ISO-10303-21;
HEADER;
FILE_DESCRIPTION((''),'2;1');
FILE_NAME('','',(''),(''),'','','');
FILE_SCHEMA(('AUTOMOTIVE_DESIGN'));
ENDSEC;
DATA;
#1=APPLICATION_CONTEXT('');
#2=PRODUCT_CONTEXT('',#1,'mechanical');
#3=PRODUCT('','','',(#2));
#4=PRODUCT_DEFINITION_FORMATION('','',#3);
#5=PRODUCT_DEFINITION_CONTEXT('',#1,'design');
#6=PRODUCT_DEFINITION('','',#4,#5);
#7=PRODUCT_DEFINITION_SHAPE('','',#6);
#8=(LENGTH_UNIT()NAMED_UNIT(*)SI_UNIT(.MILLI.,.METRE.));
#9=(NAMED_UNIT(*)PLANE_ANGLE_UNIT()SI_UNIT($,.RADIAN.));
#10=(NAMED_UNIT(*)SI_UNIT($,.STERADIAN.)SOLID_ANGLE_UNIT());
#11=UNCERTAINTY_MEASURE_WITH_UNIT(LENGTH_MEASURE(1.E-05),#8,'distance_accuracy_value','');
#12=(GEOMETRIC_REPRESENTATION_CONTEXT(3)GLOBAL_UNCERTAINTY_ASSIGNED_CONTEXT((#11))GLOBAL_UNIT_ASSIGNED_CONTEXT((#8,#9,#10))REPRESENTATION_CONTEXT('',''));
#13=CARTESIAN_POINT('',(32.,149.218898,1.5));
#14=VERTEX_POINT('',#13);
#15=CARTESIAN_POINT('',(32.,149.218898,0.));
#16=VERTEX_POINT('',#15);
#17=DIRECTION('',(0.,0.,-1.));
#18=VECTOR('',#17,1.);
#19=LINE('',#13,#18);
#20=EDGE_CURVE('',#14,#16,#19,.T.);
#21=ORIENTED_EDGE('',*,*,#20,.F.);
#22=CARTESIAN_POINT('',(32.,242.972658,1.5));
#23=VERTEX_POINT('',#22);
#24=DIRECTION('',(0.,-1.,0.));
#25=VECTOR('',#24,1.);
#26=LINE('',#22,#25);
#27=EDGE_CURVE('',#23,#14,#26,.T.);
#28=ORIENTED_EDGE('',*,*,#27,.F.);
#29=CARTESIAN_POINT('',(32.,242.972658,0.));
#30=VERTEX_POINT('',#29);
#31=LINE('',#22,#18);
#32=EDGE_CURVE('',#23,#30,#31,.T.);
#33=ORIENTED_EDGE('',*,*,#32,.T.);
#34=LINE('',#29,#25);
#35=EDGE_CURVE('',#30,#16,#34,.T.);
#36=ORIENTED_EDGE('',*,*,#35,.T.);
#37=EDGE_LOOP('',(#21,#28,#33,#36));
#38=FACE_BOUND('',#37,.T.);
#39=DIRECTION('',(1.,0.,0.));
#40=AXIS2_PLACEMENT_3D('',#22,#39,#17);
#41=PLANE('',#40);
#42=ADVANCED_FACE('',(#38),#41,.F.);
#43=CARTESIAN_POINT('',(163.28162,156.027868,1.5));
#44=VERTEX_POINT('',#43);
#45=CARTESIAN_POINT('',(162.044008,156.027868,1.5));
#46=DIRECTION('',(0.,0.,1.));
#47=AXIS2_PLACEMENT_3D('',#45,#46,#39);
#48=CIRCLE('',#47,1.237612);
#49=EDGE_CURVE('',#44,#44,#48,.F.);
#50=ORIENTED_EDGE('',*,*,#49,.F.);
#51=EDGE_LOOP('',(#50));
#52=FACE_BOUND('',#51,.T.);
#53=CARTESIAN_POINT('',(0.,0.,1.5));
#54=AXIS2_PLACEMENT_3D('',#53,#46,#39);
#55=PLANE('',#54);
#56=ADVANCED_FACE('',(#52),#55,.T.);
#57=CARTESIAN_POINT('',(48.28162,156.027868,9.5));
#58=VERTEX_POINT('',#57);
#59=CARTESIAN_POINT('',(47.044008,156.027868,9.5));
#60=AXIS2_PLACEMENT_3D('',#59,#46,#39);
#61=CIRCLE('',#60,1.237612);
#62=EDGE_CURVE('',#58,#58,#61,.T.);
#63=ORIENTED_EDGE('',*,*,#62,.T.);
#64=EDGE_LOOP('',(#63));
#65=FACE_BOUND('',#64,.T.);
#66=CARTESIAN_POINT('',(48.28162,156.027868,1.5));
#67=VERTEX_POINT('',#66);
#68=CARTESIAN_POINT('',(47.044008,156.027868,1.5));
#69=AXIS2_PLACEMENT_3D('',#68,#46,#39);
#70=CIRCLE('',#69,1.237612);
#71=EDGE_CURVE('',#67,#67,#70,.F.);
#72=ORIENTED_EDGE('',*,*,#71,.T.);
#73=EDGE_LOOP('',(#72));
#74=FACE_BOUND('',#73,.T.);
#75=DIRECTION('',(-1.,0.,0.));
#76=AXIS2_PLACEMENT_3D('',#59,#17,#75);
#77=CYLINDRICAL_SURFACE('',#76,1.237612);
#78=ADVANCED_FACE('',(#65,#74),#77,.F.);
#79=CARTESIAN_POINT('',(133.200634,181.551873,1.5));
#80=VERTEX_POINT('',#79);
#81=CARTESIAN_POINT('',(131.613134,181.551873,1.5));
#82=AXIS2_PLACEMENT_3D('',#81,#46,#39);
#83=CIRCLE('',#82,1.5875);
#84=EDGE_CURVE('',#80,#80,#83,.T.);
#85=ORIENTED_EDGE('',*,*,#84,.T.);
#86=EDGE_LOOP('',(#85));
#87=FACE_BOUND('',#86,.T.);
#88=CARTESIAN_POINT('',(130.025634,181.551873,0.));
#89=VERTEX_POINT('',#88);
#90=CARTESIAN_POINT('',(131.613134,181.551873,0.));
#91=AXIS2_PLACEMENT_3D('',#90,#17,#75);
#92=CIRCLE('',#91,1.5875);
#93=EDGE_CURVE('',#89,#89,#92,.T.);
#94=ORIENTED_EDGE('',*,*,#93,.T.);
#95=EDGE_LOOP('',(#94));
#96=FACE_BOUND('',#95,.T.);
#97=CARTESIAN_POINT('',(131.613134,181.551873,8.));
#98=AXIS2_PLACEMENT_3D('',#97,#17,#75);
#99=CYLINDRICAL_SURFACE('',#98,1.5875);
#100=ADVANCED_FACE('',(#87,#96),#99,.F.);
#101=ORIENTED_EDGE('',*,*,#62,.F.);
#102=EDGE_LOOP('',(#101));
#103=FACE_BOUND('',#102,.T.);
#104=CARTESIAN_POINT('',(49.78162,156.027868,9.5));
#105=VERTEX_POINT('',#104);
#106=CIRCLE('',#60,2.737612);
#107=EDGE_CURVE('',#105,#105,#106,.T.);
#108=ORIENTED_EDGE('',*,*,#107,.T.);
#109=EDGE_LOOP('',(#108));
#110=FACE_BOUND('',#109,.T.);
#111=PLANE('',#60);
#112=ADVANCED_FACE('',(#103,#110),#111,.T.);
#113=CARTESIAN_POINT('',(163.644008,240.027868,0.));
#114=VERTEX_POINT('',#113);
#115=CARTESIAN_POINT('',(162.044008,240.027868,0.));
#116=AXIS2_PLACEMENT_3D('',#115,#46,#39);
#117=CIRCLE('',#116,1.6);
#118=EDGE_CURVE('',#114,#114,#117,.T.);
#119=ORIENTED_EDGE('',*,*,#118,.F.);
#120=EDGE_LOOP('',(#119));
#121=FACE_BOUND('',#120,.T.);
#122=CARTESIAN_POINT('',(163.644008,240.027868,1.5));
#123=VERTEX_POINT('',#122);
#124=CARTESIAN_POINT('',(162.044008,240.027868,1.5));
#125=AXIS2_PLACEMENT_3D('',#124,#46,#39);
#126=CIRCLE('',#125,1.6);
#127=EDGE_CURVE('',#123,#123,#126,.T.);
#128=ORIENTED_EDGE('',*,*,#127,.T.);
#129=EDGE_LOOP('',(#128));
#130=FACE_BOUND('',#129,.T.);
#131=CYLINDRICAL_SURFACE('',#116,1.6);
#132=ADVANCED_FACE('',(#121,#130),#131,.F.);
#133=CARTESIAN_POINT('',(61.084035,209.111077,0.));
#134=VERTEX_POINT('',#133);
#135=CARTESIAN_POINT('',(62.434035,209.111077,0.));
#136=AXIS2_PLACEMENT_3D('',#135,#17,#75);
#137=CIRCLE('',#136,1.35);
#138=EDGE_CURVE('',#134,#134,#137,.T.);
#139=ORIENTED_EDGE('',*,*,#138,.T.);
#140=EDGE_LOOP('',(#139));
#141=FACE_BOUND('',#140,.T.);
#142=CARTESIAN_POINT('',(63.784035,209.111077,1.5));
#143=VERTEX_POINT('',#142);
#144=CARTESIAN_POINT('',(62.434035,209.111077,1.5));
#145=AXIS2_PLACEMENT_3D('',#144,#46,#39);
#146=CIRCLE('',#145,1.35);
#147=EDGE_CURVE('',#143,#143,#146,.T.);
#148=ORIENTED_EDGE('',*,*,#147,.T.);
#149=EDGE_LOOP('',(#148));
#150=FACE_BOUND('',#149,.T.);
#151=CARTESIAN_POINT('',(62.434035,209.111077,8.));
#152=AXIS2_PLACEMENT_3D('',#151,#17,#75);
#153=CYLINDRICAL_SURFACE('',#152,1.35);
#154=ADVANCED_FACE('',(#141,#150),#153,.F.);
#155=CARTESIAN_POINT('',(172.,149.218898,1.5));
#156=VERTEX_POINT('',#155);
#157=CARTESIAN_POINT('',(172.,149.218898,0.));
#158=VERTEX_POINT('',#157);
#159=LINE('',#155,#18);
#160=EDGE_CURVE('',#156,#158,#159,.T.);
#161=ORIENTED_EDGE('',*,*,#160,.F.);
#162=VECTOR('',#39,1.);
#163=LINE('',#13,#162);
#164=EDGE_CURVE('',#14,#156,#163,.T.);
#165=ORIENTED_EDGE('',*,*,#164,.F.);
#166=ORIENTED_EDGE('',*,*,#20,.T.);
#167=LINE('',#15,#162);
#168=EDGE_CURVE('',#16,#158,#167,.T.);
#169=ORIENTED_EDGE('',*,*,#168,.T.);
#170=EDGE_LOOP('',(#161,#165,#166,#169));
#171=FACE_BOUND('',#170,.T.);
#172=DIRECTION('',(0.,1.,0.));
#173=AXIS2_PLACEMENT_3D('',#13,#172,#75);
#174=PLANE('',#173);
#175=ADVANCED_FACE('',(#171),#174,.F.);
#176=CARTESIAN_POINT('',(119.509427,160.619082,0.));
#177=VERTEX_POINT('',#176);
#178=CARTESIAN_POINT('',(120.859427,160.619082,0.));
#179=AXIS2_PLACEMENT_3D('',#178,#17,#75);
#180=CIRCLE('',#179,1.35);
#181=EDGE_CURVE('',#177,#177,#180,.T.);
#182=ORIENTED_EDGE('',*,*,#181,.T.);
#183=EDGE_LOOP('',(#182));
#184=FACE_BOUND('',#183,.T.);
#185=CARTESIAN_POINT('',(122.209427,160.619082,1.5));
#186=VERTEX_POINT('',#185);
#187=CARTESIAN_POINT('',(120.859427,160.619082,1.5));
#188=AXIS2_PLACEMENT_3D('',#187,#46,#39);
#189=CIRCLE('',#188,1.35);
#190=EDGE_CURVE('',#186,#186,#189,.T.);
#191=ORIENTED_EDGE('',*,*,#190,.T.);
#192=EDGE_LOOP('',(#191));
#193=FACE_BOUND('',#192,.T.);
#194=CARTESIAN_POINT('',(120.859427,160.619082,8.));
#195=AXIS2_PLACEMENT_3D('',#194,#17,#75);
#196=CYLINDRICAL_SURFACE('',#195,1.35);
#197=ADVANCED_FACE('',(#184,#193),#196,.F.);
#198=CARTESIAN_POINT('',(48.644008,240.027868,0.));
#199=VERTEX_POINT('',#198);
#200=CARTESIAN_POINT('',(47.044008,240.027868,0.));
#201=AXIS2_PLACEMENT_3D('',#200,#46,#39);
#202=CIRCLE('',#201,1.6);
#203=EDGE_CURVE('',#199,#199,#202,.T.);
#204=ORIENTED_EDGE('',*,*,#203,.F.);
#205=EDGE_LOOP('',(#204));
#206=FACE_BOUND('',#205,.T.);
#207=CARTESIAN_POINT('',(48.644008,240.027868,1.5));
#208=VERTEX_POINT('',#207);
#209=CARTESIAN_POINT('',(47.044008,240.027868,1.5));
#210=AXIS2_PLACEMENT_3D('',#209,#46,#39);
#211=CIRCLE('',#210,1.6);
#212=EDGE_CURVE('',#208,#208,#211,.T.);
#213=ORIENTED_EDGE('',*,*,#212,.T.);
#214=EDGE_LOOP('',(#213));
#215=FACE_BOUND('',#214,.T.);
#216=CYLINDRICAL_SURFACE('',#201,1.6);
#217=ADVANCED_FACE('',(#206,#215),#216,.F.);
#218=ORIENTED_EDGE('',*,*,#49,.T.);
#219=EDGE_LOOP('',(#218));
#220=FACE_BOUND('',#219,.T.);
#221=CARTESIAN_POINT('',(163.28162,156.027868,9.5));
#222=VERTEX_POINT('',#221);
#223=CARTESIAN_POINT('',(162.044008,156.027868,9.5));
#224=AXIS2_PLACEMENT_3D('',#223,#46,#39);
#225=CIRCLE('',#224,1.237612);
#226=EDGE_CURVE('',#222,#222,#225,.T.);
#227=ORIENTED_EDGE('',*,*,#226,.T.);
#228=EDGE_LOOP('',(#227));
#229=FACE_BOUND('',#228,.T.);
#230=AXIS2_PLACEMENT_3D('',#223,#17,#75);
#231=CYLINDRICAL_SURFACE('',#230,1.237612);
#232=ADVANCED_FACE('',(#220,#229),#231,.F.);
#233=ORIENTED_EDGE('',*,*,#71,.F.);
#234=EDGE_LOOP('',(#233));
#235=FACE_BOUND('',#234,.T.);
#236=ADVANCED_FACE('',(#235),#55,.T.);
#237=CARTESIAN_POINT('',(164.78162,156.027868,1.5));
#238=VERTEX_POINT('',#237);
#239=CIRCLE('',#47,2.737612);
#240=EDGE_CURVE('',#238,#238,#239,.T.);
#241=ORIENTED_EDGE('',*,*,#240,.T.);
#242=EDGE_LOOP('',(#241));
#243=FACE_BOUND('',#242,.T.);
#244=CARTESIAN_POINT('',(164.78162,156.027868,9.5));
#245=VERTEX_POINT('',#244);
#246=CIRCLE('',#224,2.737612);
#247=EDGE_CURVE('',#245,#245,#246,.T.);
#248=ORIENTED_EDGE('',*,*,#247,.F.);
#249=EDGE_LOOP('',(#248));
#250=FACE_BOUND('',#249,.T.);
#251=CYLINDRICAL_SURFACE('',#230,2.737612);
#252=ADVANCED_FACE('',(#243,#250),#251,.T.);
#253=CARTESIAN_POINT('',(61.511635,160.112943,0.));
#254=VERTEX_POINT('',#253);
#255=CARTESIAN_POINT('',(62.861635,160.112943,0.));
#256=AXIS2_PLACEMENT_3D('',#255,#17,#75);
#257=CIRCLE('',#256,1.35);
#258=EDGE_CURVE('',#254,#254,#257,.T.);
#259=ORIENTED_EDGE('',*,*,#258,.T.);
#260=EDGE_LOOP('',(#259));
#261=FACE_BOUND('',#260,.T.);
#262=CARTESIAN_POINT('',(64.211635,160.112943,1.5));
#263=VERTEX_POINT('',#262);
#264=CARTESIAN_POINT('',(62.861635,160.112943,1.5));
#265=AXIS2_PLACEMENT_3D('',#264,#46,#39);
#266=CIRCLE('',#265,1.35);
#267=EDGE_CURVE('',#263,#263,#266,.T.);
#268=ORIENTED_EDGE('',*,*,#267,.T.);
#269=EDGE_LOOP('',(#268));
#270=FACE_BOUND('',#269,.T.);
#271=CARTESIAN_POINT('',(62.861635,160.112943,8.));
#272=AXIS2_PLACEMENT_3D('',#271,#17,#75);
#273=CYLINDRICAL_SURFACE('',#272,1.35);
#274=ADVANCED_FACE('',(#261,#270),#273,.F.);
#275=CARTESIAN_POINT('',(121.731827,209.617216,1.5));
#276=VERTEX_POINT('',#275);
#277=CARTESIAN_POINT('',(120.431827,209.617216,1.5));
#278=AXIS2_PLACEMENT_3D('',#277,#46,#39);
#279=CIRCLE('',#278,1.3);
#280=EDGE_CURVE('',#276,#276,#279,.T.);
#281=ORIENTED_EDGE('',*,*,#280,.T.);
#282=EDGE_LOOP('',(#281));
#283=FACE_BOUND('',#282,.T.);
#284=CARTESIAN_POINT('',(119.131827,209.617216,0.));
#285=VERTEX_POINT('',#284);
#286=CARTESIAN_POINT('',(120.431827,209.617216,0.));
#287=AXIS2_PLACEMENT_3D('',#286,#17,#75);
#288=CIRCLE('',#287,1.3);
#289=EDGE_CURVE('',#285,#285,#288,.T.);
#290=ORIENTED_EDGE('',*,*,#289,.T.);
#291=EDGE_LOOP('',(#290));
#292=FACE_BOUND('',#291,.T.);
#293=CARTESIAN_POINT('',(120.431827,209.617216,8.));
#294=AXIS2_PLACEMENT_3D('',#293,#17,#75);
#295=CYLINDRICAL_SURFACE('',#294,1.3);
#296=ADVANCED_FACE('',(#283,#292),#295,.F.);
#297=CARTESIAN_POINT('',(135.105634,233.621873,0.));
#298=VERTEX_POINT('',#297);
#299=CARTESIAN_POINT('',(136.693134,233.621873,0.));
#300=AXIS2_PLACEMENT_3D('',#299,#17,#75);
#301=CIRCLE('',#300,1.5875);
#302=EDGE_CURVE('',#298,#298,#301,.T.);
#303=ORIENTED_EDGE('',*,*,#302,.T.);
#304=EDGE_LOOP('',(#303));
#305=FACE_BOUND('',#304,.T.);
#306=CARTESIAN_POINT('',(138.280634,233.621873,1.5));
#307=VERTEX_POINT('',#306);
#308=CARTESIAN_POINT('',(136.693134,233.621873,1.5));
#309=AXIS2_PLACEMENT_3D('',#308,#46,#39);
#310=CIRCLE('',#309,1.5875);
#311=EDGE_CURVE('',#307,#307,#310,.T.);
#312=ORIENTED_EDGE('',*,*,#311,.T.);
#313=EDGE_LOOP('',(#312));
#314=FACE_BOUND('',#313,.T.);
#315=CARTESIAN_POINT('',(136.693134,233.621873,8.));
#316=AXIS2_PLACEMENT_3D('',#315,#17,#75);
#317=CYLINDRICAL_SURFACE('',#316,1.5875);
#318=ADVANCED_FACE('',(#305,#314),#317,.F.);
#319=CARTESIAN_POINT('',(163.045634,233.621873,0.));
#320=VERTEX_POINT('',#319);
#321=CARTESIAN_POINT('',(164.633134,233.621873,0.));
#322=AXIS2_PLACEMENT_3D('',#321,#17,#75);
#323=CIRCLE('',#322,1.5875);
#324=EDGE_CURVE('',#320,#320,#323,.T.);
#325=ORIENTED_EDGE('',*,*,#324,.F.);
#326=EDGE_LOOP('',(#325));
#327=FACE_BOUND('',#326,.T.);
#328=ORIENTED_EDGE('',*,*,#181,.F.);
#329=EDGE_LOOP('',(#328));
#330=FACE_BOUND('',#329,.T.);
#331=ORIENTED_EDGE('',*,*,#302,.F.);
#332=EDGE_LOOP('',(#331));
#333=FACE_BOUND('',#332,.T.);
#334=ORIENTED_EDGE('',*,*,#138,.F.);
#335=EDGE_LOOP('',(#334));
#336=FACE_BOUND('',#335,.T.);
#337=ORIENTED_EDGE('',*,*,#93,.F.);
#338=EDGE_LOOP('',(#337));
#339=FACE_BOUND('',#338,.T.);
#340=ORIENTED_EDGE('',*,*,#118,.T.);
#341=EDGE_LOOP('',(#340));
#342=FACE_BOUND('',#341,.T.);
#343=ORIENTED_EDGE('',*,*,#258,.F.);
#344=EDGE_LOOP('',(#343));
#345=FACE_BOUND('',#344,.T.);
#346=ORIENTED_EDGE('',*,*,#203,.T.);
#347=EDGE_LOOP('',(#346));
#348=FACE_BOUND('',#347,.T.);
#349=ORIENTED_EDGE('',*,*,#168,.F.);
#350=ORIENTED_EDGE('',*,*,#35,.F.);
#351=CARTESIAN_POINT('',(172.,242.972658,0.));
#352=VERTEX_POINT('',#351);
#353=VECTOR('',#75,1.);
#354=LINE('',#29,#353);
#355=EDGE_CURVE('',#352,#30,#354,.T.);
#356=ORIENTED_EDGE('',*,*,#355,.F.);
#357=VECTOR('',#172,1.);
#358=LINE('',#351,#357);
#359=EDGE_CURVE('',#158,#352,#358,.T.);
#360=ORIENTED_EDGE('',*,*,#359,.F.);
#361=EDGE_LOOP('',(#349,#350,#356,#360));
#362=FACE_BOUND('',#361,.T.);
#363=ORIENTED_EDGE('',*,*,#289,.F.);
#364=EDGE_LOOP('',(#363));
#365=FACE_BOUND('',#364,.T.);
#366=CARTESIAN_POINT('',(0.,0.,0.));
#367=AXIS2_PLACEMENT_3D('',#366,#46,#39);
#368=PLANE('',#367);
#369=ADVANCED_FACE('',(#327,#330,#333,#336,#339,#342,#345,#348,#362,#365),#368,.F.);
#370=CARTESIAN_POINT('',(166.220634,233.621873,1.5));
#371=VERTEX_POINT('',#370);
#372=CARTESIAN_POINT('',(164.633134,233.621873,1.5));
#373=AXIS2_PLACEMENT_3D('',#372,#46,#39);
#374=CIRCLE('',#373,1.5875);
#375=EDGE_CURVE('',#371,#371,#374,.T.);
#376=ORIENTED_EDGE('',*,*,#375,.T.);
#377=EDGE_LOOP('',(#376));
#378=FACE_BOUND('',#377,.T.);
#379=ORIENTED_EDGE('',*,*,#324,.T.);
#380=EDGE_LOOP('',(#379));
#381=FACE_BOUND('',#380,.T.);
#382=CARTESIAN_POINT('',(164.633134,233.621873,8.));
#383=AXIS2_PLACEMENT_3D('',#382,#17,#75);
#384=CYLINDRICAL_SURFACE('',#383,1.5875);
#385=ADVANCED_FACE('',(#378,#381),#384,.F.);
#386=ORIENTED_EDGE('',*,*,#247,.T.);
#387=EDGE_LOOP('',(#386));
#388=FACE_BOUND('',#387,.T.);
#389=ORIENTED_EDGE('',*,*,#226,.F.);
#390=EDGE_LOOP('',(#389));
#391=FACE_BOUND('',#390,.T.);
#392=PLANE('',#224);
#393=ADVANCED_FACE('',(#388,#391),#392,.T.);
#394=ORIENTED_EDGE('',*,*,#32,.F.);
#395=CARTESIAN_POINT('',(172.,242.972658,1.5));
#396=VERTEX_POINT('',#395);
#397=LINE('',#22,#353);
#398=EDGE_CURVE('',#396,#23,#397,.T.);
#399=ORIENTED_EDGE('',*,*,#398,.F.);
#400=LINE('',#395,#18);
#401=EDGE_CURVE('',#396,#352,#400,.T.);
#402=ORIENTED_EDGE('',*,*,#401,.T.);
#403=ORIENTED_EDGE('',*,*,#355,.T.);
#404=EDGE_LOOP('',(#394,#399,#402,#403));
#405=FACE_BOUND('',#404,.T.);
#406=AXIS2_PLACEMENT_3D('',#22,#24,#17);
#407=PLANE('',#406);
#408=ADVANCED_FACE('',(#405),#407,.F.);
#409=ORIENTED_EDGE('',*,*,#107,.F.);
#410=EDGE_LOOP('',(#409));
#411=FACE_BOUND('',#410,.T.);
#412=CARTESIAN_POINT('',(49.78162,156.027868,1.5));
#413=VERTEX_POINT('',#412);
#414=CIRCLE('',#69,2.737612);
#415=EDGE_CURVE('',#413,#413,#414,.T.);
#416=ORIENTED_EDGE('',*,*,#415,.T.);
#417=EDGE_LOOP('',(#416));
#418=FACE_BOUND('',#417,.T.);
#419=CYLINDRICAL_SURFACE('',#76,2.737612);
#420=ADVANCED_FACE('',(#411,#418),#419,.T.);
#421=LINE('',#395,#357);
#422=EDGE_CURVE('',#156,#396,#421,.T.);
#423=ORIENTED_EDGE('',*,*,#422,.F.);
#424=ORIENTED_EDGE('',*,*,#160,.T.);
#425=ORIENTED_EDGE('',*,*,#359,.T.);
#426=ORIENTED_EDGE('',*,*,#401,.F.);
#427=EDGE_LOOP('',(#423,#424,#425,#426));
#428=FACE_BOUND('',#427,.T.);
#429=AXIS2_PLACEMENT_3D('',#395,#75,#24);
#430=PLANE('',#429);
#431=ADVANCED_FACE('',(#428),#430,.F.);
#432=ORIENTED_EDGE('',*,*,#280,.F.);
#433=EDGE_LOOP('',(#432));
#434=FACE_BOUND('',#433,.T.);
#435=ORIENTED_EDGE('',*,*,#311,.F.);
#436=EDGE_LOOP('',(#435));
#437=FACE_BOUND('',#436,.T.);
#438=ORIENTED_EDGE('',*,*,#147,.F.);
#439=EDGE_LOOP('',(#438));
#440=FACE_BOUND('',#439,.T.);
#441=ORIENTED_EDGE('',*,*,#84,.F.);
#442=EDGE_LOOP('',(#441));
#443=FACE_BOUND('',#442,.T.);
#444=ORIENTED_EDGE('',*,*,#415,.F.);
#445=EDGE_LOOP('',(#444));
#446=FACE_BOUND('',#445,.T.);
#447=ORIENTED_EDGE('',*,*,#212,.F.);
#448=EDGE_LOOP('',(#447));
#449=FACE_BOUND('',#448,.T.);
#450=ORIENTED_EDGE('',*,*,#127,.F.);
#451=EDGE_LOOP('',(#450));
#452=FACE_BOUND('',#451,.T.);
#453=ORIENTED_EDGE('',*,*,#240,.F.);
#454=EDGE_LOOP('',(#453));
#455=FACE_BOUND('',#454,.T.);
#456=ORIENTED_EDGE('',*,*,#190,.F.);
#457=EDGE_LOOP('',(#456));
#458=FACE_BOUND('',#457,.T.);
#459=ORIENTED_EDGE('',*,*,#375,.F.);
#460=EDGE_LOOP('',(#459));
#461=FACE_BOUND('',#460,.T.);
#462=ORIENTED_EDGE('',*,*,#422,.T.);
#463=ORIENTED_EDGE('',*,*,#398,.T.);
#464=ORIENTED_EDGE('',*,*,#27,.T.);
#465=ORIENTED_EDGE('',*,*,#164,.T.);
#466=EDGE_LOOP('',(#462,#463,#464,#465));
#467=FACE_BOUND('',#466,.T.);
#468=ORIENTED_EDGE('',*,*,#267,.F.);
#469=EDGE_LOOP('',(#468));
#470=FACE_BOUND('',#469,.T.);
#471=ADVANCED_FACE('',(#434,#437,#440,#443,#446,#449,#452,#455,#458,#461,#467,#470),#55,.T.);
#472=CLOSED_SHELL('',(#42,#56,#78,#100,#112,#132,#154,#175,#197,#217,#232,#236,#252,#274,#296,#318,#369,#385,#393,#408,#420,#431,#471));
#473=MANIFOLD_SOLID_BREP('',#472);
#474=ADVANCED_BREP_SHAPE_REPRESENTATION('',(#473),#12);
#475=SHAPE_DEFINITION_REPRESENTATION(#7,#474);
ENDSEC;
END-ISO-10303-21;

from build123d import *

# Parameters (mm, degrees)
SKETCH1_W           = 140
SKETCH1_H           = 93.753760253
BOSS_EXTRUDE1_DEPTH = 1.5
SKETCH2_R           = 1.6
CUT_EXTRUDE1_DEPTH  = 1.5
SKETCH3_R           = 2.737611944
SKETCH3_R_2         = 1.237611944
BOSS_EXTRUDE2_DEPTH = 8
SKETCH4_R           = 1.3
SKETCH4_R_2         = 1.35
SKETCH4_R_3         = 1.5875
CUT_EXTRUDE2_DEPTH  = 8


with BuildPart() as part:
    # Sketch1 → Boss-Extrude1 (new body)
    with BuildSketch(Plane.XY):
        with Locations((102, 196.095777869)):
            Rectangle(SKETCH1_W, SKETCH1_H)
    extrude(amount=BOSS_EXTRUDE1_DEPTH)

    # Sketch2 → Cut-Extrude1 (cut)
    with BuildSketch(Plane.XY.offset(1.5)):
        with Locations((47.04400772, 240.027868216)):
            Circle(SKETCH2_R)
        with Locations((162.04400772, 240.027868216)):
            Circle(SKETCH2_R)
    extrude(amount=-CUT_EXTRUDE1_DEPTH, mode=Mode.SUBTRACT)

    # Sketch3 → Boss-Extrude2 (add)
    # profile 1 of 2: a face of its own
    with BuildSketch(Plane.XY.offset(1.5)):
        with Locations((47.04400772, 156.027868216)):
            Circle(SKETCH3_R)
        with Locations((47.04400772, 156.027868216)):
            Circle(SKETCH3_R_2, mode=Mode.SUBTRACT)
    # profile 2 of 2: a face of its own
    with BuildSketch(Plane.XY.offset(1.5)):
        with Locations((162.04400772, 156.027868216)):
            Circle(SKETCH3_R)
        with Locations((162.04400772, 156.027868216)):
            Circle(SKETCH3_R_2, mode=Mode.SUBTRACT)
    extrude(amount=BOSS_EXTRUDE2_DEPTH)

    # Sketch4 → Cut-Extrude2 (cut)
    with BuildSketch(Plane(origin=(0, 0, 0), x_dir=(-1, 0, 0), z_dir=(0, 0, -1))):
        with Locations((-120.431826709, 209.617216317)):
            Circle(SKETCH4_R)
        with Locations((-62.434035172, 209.111077258)):
            Circle(SKETCH4_R_2)
        with Locations((-62.861635411, 160.112943028)):
            Circle(SKETCH4_R_2)
        with Locations((-120.859426949, 160.619082087)):
            Circle(SKETCH4_R_2)
        with Locations((-131.613133958, 181.551872542)):
            Circle(SKETCH4_R_3)
        with Locations((-136.693133958, 233.621872542)):
            Circle(SKETCH4_R_3)
        with Locations((-164.633133958, 233.621872542)):
            Circle(SKETCH4_R_3)
    extrude(amount=-CUT_EXTRUDE2_DEPTH, mode=Mode.SUBTRACT)


solid = part.part
